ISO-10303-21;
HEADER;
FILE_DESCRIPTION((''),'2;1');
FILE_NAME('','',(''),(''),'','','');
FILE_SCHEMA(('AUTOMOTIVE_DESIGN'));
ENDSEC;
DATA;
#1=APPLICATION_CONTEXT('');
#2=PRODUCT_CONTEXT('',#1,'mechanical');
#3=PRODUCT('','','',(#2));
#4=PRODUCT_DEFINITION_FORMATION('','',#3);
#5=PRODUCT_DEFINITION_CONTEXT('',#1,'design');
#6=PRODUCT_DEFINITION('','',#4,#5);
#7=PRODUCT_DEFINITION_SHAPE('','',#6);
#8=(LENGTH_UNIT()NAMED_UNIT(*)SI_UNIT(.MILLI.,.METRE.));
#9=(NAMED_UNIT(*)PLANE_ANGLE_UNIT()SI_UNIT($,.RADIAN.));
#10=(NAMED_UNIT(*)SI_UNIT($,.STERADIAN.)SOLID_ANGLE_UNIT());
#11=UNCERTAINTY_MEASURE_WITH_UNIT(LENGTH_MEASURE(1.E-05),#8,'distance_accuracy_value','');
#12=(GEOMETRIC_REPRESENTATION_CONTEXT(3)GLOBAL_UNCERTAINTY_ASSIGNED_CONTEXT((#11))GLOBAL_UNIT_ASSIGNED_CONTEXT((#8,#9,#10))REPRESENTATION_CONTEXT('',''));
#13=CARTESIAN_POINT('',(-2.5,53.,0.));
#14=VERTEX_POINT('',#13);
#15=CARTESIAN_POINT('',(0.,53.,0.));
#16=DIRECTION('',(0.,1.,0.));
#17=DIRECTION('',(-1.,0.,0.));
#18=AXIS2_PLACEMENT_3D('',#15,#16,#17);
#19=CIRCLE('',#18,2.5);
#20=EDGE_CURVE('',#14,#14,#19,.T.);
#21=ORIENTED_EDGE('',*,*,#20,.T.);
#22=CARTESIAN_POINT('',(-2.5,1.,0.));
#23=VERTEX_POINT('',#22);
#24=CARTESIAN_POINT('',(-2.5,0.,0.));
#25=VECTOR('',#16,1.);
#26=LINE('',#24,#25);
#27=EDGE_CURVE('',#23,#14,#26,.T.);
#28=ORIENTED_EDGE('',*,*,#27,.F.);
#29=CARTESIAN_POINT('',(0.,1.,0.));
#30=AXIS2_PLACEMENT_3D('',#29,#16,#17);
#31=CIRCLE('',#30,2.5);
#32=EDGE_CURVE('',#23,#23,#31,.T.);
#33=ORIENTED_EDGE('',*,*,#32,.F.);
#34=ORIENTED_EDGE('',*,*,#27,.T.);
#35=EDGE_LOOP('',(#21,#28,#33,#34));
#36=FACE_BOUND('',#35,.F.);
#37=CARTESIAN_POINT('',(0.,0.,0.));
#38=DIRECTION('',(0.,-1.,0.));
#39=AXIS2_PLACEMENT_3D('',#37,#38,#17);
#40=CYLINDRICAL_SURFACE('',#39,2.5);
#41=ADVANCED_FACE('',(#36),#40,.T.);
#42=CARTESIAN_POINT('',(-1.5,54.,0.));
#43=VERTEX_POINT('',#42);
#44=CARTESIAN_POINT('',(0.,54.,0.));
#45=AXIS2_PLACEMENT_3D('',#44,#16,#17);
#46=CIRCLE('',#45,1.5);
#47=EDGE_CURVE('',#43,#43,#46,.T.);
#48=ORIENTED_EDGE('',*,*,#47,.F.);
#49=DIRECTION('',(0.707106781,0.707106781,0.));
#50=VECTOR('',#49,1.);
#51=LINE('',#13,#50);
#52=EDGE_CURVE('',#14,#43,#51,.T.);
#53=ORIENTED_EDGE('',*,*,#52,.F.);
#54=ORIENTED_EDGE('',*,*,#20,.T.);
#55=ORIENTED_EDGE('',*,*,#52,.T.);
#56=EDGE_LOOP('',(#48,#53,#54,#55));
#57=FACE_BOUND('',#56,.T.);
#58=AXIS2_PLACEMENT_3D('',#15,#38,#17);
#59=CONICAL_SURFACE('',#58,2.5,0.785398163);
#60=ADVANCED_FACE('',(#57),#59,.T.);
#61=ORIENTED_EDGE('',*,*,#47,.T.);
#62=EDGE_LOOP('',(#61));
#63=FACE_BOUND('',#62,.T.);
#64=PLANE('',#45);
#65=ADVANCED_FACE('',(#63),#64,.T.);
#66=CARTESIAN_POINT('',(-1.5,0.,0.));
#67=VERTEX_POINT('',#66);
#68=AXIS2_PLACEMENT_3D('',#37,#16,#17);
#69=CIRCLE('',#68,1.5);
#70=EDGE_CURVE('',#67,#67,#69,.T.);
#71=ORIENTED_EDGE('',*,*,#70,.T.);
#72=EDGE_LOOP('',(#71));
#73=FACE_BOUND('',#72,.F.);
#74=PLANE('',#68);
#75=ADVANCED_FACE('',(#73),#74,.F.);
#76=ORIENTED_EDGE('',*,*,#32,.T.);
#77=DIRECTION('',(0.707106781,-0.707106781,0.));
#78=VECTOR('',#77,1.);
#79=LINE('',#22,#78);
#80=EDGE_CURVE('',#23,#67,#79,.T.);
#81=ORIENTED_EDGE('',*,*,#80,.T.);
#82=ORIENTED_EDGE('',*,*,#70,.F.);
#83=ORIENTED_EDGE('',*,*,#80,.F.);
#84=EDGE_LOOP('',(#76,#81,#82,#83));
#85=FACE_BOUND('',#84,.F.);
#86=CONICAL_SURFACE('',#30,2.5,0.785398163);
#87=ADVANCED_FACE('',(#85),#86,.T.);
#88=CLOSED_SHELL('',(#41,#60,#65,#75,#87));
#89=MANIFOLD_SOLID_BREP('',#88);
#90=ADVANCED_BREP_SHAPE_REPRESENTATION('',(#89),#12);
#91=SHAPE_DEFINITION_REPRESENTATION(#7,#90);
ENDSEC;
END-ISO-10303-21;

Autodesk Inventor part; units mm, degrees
ref_plane "YZ Plane" through (0, 0, 0) normal (1, 0, 0) x (0, 1, 0)
ref_plane "XZ Plane" through (0, 0, 0) normal (0, 1, 0) x (-1, 0, 0)
ref_plane "XY Plane" through (0, 0, 0) normal (0, 0, 1) x (1, 0, 0)
sketch "Sketch1" plane through (0, 0, 0) normal (0, 1, 0) x (-1, 0, 0)
  circle A0 centre (0, 0) radius 2.5
  dimension "d0" = 5
extrude "Extrusion1" add sketch "Sketch1" along normal blind 54
chamfer "Chamfer1" distance 1 angle 45 1 edges at (2.5, 54, 0)
chamfer "Chamfer2" distance 1 angle 45 1 edges at (2.5, 0, 0)
properties part number "Cannon_support_pin" material "Steel, High Strength, Low Alloy"
